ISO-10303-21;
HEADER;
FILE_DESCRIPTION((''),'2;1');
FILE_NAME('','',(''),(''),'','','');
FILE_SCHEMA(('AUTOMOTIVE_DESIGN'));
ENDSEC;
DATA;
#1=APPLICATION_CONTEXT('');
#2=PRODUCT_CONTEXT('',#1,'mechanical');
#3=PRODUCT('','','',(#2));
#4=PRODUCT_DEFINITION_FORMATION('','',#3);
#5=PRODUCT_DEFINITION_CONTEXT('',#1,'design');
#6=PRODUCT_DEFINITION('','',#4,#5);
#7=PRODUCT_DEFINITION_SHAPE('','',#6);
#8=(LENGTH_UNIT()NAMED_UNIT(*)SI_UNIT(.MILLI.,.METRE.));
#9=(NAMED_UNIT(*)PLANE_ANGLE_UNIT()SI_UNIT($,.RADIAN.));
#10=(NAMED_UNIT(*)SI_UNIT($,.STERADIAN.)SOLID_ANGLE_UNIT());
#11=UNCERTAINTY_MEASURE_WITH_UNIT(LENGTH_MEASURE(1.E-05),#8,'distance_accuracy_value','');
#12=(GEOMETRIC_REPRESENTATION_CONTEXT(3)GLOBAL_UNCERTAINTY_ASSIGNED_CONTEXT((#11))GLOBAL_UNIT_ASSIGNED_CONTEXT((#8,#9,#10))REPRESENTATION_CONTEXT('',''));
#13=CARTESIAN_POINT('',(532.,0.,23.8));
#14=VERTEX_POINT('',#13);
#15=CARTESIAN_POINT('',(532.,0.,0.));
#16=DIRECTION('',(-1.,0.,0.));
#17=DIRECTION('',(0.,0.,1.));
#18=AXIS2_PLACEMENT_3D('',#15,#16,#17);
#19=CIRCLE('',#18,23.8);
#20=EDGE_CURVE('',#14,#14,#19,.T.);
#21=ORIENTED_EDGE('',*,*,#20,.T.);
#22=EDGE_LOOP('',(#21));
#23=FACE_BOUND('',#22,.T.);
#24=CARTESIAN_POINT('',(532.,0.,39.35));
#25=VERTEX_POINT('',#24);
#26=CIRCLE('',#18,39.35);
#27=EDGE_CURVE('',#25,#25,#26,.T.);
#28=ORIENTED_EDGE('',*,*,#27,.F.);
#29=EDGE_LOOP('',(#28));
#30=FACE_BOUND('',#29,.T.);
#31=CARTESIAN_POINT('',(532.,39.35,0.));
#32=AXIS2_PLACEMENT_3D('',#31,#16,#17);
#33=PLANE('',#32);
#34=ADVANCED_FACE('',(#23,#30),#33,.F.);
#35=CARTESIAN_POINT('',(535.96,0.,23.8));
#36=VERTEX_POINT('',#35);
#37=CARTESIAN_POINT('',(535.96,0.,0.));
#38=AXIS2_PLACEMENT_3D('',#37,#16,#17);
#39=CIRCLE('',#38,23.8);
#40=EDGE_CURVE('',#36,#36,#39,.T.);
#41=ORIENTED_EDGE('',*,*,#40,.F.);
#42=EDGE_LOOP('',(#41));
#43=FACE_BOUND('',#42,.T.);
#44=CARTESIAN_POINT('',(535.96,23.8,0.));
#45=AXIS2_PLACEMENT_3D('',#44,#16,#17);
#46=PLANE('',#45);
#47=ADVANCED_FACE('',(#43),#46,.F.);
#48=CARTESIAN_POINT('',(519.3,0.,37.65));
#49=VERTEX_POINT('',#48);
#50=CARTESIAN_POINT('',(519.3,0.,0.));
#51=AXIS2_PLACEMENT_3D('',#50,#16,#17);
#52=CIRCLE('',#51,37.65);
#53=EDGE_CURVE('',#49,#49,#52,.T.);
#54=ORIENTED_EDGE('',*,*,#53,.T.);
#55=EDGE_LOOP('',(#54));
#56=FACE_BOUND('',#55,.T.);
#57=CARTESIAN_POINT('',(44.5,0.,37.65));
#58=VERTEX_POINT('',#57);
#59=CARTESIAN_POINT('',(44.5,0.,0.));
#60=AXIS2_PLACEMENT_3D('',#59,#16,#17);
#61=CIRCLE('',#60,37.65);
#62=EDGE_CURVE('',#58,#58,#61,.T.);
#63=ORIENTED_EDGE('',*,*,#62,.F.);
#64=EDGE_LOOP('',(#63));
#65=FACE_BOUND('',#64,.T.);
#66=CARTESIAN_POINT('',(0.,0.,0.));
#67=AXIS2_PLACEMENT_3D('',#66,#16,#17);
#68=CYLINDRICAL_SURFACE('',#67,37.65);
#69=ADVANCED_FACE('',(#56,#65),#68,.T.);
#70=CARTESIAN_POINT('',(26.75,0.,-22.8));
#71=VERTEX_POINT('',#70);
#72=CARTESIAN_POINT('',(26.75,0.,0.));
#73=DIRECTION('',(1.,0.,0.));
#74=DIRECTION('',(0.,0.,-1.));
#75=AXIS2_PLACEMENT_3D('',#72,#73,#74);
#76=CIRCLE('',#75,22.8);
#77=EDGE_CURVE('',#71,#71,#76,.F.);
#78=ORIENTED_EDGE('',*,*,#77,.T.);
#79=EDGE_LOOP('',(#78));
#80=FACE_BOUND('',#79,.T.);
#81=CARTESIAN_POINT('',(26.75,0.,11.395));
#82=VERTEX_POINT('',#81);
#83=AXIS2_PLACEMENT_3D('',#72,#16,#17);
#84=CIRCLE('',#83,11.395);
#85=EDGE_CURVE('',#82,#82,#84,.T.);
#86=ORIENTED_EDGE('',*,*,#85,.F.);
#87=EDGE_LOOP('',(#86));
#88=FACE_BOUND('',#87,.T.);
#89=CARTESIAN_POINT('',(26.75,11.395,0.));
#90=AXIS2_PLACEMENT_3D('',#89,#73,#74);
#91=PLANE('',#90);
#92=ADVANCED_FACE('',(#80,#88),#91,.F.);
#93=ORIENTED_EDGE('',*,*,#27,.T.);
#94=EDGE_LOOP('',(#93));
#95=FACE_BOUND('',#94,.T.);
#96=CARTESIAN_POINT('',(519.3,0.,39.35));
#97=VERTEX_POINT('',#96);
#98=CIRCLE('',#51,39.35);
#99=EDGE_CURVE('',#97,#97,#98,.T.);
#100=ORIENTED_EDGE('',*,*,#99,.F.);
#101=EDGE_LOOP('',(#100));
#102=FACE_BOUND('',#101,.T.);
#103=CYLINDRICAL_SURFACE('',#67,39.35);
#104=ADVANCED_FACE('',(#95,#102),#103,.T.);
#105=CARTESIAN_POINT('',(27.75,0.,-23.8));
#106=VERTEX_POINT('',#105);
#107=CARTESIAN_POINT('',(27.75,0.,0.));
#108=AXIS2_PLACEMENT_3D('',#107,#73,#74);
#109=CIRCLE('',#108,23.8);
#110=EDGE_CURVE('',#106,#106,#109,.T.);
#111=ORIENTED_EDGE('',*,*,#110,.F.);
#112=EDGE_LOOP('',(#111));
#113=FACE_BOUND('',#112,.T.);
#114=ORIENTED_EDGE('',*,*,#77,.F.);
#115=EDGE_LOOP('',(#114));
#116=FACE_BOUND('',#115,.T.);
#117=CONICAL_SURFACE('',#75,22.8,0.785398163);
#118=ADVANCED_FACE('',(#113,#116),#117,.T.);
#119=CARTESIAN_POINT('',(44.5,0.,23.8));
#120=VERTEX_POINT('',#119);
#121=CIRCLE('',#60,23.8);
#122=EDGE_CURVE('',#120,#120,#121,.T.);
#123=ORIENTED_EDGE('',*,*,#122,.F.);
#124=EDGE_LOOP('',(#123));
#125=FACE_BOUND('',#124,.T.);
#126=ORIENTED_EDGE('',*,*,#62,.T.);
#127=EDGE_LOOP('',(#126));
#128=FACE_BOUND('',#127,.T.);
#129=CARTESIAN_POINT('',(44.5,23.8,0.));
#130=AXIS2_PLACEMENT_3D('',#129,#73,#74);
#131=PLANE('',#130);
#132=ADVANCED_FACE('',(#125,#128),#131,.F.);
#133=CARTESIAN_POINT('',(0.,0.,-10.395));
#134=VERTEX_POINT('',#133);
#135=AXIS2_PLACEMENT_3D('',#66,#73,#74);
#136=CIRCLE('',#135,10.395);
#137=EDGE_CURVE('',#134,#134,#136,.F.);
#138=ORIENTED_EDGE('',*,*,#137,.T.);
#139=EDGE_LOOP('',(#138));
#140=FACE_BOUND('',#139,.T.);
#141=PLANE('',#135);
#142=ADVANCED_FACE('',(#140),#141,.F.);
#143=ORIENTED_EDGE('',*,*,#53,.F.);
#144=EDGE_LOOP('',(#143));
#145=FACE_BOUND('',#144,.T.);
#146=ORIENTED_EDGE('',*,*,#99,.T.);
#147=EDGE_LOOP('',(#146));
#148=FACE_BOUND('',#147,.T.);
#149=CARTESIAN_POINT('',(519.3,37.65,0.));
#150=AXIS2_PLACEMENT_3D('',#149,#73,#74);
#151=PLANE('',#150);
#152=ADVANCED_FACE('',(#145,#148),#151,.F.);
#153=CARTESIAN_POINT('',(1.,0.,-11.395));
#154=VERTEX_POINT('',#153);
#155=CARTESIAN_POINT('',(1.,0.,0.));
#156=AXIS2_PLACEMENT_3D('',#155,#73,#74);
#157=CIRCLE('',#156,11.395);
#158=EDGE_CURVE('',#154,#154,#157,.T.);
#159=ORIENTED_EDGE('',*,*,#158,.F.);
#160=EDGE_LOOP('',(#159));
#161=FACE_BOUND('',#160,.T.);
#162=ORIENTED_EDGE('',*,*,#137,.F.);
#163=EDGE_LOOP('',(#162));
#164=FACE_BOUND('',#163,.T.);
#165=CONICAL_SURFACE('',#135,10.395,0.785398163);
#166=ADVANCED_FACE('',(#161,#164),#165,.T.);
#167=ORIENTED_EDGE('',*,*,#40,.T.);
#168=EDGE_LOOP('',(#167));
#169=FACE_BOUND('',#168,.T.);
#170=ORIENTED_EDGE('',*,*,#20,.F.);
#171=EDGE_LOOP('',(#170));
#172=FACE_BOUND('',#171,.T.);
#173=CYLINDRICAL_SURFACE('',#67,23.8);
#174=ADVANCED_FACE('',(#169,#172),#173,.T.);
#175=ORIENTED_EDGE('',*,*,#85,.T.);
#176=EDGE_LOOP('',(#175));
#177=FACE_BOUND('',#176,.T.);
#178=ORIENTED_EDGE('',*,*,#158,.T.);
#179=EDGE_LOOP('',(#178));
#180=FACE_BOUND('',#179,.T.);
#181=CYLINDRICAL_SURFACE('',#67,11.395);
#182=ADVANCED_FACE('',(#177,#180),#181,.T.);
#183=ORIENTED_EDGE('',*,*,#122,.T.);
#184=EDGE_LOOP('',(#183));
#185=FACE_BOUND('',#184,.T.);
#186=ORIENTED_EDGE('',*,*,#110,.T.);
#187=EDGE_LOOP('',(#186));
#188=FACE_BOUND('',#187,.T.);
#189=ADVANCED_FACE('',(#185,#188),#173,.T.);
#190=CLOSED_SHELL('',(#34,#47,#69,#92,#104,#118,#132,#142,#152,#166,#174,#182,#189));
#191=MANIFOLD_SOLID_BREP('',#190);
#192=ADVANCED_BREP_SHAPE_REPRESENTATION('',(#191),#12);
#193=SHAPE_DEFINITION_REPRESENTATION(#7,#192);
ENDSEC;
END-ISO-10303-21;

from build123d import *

# Parameters (mm, degrees)
CHANFREIN1_SIZE = 1


with BuildPart() as part:
    # Esquisse1 → Révolution1 (revolve)
    with BuildSketch(Plane.XY):
        Polygon((0, 0), (0, 11.395), (26.75, 11.395), (26.75, 23.8), (44.5, 23.8), (44.5, 37.65), (519.3, 37.65), (519.3, 39.35), (532, 39.35), (532, 23.8), (535.96, 23.8), (535.96, 0), align=None)
    revolve(axis=Axis((0, 0, 0), (1, 0, 0)))

    # Chanfrein1
    chanfrein1_edges = [part.edges().sort_by_distance(p)[0] for p in [
        (26.75, -23.8, 0),
        (0, -11.395, 0),
    ]]
    chamfer(chanfrein1_edges, length=CHANFREIN1_SIZE)


solid = part.part
